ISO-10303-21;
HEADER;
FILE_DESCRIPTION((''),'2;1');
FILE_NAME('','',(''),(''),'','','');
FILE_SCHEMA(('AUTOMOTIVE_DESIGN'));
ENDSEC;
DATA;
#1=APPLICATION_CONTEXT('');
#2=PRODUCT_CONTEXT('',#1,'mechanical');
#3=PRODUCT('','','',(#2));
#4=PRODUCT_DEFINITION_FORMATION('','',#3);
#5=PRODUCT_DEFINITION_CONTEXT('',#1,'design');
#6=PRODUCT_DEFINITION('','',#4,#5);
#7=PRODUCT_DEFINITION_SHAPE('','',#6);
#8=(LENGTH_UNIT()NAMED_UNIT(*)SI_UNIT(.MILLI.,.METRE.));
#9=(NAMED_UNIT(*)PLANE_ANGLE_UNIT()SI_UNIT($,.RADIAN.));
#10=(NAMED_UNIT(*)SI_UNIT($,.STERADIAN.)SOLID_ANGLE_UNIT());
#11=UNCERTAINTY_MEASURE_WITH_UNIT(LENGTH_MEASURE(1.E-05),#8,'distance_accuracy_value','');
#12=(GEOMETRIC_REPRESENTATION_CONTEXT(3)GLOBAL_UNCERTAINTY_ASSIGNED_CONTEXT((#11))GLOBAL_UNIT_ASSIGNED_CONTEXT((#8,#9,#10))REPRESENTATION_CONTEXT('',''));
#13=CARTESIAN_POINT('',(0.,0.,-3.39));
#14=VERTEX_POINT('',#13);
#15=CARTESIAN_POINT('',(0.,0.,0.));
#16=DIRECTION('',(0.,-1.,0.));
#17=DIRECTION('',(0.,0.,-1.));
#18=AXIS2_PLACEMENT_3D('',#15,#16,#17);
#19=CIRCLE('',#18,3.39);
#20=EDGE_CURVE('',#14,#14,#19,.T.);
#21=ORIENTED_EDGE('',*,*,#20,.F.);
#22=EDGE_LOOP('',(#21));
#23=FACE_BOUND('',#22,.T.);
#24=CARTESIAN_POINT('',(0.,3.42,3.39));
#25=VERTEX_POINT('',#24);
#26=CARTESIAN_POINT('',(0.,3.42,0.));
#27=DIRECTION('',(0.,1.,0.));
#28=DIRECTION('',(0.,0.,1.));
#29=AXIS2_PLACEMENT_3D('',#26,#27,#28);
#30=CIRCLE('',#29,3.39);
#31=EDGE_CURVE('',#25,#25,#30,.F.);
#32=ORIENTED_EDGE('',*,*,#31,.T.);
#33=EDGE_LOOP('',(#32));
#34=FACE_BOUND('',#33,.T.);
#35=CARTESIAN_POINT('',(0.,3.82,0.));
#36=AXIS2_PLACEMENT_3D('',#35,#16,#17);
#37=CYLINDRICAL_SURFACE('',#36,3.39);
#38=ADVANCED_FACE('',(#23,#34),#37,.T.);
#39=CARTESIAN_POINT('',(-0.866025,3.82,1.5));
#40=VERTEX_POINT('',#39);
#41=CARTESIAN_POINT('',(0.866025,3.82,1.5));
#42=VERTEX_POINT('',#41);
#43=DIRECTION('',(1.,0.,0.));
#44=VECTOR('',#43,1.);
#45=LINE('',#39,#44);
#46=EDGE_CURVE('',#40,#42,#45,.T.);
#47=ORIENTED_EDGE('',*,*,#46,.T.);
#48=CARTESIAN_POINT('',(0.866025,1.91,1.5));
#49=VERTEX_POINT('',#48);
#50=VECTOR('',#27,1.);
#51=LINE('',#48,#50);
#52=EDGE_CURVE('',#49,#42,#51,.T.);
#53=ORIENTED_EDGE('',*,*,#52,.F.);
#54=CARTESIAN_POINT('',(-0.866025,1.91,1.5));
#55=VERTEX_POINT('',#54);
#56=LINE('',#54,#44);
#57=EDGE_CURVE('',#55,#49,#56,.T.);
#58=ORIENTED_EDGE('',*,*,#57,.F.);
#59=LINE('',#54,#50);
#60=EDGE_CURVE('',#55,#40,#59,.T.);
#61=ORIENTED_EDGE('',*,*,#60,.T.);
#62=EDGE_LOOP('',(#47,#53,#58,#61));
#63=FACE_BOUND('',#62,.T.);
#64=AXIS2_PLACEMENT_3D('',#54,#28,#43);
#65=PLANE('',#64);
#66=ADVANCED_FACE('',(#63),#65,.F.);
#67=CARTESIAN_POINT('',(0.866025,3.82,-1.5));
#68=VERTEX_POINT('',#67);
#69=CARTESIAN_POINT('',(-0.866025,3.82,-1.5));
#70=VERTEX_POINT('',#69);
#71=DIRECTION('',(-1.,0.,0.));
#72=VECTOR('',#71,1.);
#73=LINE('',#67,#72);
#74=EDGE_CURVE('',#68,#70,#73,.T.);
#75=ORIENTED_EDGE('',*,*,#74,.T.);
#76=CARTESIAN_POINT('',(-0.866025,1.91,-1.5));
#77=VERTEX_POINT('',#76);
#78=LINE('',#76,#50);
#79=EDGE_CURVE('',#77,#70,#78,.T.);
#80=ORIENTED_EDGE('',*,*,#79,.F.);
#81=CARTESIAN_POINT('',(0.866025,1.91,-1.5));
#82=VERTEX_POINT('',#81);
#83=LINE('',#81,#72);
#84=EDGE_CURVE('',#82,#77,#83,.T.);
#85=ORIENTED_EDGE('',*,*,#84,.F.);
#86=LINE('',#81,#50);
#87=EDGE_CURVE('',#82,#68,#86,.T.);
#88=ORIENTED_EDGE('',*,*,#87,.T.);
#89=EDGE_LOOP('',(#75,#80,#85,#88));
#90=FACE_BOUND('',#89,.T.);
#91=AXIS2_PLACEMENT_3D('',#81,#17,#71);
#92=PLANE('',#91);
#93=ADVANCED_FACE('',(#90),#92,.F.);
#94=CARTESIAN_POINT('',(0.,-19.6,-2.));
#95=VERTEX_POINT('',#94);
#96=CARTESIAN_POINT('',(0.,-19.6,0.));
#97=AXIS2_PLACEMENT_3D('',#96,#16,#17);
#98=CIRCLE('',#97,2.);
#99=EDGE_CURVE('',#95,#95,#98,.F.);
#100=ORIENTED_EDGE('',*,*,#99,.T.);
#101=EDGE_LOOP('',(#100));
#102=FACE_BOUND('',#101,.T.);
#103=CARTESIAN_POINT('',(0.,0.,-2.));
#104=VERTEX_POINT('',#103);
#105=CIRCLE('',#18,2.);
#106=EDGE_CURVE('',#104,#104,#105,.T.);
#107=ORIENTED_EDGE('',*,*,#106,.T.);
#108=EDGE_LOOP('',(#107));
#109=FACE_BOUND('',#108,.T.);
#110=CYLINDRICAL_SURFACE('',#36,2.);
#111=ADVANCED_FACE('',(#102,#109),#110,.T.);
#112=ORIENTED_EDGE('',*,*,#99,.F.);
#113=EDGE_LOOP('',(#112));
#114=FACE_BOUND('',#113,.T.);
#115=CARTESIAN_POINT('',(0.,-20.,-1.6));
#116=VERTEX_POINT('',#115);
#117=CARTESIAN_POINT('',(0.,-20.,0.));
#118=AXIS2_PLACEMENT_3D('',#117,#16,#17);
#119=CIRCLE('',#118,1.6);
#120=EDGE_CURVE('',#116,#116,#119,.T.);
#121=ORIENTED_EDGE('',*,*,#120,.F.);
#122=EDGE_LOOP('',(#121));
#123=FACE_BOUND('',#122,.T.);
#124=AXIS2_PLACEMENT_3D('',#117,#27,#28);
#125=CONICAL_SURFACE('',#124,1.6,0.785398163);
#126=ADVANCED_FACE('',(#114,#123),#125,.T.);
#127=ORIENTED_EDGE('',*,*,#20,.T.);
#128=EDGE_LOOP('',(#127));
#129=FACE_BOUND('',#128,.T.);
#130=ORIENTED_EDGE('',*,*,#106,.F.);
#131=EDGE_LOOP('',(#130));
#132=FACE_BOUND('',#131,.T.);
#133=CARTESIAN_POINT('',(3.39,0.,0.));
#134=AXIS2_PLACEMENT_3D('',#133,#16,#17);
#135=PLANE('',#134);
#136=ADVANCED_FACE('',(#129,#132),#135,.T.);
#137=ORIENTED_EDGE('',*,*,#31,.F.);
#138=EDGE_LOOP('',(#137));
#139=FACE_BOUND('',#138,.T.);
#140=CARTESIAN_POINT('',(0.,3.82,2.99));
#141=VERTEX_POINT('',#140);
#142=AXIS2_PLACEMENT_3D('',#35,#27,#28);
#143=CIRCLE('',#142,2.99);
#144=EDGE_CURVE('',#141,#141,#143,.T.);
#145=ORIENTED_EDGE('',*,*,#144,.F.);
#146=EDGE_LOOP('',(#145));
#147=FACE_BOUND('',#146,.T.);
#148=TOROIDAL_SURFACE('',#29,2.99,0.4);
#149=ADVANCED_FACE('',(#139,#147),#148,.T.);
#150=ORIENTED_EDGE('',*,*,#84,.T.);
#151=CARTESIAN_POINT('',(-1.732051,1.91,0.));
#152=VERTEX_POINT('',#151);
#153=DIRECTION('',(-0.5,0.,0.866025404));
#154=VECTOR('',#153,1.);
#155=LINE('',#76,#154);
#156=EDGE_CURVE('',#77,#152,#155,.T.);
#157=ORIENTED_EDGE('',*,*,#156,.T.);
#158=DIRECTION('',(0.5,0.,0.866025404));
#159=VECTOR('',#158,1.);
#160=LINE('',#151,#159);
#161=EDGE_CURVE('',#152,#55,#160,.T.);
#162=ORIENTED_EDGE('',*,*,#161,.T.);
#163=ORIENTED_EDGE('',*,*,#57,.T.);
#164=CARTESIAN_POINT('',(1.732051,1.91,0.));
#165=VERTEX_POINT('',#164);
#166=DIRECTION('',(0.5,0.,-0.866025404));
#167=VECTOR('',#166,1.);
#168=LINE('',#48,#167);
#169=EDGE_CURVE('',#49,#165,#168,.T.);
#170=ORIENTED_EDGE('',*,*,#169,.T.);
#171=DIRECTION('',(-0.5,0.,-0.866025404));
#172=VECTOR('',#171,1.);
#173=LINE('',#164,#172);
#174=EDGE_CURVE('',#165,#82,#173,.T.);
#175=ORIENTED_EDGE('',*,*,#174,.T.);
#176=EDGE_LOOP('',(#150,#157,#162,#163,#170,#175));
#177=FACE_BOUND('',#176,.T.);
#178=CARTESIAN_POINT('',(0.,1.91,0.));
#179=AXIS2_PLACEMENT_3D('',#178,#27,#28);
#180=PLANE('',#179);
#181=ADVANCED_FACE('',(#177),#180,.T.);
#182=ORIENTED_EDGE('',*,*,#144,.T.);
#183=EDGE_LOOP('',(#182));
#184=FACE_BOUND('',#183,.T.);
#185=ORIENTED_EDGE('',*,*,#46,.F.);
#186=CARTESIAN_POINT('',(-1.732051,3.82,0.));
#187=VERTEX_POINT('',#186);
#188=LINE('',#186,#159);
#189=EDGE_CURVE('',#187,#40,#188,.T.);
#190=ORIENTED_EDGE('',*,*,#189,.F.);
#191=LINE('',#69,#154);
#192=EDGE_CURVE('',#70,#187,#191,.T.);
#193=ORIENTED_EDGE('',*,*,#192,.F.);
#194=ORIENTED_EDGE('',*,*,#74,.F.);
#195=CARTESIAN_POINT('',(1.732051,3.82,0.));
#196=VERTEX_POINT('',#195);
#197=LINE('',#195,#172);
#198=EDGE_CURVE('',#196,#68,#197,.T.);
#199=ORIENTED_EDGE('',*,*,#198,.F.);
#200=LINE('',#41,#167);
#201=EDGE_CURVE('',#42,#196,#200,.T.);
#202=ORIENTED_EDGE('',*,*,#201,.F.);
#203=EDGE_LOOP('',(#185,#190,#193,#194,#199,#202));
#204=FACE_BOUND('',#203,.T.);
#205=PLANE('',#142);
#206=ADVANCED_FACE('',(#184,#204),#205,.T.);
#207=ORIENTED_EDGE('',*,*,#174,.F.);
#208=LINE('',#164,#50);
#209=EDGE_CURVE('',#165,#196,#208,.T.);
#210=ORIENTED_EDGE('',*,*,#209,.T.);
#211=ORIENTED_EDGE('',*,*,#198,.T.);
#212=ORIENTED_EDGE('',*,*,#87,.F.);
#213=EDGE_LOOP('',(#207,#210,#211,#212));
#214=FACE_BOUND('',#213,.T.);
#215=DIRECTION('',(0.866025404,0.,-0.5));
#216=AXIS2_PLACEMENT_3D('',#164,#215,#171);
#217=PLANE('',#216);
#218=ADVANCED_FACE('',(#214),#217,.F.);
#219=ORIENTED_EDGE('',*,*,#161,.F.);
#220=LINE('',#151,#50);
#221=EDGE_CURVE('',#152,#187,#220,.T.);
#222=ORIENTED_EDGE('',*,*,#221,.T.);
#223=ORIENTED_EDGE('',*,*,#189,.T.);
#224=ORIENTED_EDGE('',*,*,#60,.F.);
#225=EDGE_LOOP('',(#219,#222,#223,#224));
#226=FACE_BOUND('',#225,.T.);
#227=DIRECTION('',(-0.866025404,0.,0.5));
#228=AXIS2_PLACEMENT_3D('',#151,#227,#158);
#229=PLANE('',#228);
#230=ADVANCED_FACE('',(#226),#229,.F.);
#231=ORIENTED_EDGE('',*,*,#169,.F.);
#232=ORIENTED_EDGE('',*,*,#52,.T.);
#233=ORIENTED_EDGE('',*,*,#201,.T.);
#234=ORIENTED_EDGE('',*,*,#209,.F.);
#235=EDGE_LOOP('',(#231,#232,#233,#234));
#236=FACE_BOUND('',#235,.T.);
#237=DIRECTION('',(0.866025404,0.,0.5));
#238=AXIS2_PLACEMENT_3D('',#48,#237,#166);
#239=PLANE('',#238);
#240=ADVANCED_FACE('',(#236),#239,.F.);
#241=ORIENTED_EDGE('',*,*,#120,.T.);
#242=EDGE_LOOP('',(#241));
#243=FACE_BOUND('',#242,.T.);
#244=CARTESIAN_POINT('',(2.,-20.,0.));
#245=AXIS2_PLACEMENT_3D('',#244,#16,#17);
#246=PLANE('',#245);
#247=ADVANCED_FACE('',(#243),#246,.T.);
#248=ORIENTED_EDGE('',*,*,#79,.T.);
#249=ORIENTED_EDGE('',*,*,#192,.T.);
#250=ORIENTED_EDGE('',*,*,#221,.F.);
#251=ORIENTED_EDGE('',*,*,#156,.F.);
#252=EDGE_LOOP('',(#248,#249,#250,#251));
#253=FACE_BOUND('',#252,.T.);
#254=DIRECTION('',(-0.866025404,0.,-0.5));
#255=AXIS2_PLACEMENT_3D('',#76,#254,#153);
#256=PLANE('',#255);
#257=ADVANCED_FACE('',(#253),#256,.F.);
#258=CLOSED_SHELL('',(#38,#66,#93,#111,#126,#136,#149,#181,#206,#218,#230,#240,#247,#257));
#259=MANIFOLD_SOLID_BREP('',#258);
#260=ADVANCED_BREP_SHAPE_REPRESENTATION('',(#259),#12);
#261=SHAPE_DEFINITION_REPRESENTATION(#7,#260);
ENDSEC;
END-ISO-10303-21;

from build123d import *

# Parameters (mm, degrees)
CHAMFER1_SIZE      = 0.4
FILLET1_R          = 0.4
CUT_EXTRUDE1_DEPTH = 1.91


with BuildPart() as part:
    # Sketch1 → Revolve1 (revolve)
    with BuildSketch(Plane.XY, mode=Mode.PRIVATE) as revolve1_sk:
        Polygon((0, 0), (0, 3.82), (3.39, 3.82), (3.39, 0), (2, 0), (2, -20), (0, -20), align=None)
    revolve(revolve1_sk.sketch.rotate(Axis((0, 3.82, 0), (0, 1, 0)), 90), axis=Axis((0, 3.82, 0), (0, 1, 0)))

    # Chamfer1
    chamfer1_edges = [part.edges().sort_by_distance(p)[0] for p in [
        (0, -20, 2),
    ]]
    chamfer(chamfer1_edges, length=CHAMFER1_SIZE)

    # Fillet1
    fillet1_edges = [part.edges().sort_by_distance(p)[0] for p in [
        (0, 3.82, 3.39),
    ]]
    fillet(fillet1_edges, radius=FILLET1_R)

    # Sketch2 → Cut-Extrude1 (cut)
    with BuildSketch(Plane(origin=(0, 3.82, 0), x_dir=(1, 0, 0), z_dir=(0, 1, 0))):
        Polygon((0.866025404, -1.5), (1.732050808, 0), (0.866025404, 1.5), (-0.866025404, 1.5), (-1.732050808, 0), (-0.866025404, -1.5), align=None)
    extrude(amount=-CUT_EXTRUDE1_DEPTH, mode=Mode.SUBTRACT)


solid = part.part
